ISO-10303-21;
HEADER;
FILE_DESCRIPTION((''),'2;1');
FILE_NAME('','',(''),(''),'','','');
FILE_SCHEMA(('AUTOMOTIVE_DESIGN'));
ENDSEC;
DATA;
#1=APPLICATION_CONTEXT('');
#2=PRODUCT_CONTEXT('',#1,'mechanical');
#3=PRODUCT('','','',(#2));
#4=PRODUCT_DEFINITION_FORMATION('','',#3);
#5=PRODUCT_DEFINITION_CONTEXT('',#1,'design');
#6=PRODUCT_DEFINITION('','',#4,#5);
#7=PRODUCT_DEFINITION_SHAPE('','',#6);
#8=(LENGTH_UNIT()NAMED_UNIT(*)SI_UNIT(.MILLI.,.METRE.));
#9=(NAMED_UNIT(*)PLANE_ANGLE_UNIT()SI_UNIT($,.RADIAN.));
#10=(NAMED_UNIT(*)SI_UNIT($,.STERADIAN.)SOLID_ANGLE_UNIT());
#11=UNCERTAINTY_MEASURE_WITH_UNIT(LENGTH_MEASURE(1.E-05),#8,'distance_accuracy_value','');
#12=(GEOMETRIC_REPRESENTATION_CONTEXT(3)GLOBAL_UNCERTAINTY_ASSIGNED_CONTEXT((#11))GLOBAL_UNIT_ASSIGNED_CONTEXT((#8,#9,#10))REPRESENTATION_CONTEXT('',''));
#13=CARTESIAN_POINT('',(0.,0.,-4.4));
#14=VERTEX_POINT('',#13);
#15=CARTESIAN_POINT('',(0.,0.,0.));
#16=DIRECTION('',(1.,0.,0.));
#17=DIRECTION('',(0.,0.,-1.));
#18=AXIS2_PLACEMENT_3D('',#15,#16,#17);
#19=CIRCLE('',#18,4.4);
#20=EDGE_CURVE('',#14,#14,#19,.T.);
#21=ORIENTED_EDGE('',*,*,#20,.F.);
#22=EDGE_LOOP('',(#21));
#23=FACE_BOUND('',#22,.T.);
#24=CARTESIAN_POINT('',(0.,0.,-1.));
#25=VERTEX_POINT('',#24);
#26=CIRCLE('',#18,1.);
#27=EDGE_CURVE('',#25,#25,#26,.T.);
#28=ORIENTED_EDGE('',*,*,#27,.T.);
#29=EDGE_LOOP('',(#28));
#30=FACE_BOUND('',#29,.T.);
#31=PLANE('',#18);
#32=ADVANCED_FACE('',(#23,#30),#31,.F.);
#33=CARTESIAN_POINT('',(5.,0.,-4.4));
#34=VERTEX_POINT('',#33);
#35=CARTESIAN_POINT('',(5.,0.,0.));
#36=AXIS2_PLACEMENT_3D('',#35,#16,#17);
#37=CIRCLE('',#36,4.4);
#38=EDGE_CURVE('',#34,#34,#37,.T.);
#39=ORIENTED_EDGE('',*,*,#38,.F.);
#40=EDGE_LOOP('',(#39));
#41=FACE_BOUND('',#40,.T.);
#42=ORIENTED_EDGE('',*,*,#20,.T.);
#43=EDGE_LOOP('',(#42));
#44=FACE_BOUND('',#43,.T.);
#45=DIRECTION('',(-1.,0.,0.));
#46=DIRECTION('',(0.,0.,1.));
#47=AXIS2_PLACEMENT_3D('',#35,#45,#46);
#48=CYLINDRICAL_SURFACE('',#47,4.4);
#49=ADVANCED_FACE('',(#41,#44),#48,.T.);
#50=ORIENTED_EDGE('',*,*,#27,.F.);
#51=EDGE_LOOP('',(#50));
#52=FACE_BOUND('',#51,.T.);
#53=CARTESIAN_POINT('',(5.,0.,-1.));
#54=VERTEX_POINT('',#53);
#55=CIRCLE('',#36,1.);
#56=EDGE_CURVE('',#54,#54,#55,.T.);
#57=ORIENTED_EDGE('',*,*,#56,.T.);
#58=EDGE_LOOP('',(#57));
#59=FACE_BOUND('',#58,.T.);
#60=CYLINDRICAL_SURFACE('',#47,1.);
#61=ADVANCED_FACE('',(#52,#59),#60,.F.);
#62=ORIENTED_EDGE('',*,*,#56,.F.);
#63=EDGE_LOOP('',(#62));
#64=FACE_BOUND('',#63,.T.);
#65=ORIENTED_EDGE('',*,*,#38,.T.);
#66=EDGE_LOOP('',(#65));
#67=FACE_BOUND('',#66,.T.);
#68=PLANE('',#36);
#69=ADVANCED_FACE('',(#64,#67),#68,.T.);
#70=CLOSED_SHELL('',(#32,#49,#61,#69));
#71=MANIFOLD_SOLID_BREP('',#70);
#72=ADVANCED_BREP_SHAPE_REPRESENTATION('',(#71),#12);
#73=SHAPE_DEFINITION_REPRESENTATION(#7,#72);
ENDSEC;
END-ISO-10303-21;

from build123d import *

# Parameters (mm, degrees)
SKETCH_1_R      = 4.4
SKETCH_1_R_2    = 1
EXTRUDE_1_DEPTH = 5


with BuildPart() as part:
    # Эскиз1 → Бобышка-Вытянуть1 (new body)
    with BuildSketch(Plane(origin=(0, 0, 0), x_dir=(0, 0, -1), z_dir=(1, 0, 0))):
        Circle(SKETCH_1_R)
        Circle(SKETCH_1_R_2, mode=Mode.SUBTRACT)
    extrude(amount=EXTRUDE_1_DEPTH)


solid = part.part
